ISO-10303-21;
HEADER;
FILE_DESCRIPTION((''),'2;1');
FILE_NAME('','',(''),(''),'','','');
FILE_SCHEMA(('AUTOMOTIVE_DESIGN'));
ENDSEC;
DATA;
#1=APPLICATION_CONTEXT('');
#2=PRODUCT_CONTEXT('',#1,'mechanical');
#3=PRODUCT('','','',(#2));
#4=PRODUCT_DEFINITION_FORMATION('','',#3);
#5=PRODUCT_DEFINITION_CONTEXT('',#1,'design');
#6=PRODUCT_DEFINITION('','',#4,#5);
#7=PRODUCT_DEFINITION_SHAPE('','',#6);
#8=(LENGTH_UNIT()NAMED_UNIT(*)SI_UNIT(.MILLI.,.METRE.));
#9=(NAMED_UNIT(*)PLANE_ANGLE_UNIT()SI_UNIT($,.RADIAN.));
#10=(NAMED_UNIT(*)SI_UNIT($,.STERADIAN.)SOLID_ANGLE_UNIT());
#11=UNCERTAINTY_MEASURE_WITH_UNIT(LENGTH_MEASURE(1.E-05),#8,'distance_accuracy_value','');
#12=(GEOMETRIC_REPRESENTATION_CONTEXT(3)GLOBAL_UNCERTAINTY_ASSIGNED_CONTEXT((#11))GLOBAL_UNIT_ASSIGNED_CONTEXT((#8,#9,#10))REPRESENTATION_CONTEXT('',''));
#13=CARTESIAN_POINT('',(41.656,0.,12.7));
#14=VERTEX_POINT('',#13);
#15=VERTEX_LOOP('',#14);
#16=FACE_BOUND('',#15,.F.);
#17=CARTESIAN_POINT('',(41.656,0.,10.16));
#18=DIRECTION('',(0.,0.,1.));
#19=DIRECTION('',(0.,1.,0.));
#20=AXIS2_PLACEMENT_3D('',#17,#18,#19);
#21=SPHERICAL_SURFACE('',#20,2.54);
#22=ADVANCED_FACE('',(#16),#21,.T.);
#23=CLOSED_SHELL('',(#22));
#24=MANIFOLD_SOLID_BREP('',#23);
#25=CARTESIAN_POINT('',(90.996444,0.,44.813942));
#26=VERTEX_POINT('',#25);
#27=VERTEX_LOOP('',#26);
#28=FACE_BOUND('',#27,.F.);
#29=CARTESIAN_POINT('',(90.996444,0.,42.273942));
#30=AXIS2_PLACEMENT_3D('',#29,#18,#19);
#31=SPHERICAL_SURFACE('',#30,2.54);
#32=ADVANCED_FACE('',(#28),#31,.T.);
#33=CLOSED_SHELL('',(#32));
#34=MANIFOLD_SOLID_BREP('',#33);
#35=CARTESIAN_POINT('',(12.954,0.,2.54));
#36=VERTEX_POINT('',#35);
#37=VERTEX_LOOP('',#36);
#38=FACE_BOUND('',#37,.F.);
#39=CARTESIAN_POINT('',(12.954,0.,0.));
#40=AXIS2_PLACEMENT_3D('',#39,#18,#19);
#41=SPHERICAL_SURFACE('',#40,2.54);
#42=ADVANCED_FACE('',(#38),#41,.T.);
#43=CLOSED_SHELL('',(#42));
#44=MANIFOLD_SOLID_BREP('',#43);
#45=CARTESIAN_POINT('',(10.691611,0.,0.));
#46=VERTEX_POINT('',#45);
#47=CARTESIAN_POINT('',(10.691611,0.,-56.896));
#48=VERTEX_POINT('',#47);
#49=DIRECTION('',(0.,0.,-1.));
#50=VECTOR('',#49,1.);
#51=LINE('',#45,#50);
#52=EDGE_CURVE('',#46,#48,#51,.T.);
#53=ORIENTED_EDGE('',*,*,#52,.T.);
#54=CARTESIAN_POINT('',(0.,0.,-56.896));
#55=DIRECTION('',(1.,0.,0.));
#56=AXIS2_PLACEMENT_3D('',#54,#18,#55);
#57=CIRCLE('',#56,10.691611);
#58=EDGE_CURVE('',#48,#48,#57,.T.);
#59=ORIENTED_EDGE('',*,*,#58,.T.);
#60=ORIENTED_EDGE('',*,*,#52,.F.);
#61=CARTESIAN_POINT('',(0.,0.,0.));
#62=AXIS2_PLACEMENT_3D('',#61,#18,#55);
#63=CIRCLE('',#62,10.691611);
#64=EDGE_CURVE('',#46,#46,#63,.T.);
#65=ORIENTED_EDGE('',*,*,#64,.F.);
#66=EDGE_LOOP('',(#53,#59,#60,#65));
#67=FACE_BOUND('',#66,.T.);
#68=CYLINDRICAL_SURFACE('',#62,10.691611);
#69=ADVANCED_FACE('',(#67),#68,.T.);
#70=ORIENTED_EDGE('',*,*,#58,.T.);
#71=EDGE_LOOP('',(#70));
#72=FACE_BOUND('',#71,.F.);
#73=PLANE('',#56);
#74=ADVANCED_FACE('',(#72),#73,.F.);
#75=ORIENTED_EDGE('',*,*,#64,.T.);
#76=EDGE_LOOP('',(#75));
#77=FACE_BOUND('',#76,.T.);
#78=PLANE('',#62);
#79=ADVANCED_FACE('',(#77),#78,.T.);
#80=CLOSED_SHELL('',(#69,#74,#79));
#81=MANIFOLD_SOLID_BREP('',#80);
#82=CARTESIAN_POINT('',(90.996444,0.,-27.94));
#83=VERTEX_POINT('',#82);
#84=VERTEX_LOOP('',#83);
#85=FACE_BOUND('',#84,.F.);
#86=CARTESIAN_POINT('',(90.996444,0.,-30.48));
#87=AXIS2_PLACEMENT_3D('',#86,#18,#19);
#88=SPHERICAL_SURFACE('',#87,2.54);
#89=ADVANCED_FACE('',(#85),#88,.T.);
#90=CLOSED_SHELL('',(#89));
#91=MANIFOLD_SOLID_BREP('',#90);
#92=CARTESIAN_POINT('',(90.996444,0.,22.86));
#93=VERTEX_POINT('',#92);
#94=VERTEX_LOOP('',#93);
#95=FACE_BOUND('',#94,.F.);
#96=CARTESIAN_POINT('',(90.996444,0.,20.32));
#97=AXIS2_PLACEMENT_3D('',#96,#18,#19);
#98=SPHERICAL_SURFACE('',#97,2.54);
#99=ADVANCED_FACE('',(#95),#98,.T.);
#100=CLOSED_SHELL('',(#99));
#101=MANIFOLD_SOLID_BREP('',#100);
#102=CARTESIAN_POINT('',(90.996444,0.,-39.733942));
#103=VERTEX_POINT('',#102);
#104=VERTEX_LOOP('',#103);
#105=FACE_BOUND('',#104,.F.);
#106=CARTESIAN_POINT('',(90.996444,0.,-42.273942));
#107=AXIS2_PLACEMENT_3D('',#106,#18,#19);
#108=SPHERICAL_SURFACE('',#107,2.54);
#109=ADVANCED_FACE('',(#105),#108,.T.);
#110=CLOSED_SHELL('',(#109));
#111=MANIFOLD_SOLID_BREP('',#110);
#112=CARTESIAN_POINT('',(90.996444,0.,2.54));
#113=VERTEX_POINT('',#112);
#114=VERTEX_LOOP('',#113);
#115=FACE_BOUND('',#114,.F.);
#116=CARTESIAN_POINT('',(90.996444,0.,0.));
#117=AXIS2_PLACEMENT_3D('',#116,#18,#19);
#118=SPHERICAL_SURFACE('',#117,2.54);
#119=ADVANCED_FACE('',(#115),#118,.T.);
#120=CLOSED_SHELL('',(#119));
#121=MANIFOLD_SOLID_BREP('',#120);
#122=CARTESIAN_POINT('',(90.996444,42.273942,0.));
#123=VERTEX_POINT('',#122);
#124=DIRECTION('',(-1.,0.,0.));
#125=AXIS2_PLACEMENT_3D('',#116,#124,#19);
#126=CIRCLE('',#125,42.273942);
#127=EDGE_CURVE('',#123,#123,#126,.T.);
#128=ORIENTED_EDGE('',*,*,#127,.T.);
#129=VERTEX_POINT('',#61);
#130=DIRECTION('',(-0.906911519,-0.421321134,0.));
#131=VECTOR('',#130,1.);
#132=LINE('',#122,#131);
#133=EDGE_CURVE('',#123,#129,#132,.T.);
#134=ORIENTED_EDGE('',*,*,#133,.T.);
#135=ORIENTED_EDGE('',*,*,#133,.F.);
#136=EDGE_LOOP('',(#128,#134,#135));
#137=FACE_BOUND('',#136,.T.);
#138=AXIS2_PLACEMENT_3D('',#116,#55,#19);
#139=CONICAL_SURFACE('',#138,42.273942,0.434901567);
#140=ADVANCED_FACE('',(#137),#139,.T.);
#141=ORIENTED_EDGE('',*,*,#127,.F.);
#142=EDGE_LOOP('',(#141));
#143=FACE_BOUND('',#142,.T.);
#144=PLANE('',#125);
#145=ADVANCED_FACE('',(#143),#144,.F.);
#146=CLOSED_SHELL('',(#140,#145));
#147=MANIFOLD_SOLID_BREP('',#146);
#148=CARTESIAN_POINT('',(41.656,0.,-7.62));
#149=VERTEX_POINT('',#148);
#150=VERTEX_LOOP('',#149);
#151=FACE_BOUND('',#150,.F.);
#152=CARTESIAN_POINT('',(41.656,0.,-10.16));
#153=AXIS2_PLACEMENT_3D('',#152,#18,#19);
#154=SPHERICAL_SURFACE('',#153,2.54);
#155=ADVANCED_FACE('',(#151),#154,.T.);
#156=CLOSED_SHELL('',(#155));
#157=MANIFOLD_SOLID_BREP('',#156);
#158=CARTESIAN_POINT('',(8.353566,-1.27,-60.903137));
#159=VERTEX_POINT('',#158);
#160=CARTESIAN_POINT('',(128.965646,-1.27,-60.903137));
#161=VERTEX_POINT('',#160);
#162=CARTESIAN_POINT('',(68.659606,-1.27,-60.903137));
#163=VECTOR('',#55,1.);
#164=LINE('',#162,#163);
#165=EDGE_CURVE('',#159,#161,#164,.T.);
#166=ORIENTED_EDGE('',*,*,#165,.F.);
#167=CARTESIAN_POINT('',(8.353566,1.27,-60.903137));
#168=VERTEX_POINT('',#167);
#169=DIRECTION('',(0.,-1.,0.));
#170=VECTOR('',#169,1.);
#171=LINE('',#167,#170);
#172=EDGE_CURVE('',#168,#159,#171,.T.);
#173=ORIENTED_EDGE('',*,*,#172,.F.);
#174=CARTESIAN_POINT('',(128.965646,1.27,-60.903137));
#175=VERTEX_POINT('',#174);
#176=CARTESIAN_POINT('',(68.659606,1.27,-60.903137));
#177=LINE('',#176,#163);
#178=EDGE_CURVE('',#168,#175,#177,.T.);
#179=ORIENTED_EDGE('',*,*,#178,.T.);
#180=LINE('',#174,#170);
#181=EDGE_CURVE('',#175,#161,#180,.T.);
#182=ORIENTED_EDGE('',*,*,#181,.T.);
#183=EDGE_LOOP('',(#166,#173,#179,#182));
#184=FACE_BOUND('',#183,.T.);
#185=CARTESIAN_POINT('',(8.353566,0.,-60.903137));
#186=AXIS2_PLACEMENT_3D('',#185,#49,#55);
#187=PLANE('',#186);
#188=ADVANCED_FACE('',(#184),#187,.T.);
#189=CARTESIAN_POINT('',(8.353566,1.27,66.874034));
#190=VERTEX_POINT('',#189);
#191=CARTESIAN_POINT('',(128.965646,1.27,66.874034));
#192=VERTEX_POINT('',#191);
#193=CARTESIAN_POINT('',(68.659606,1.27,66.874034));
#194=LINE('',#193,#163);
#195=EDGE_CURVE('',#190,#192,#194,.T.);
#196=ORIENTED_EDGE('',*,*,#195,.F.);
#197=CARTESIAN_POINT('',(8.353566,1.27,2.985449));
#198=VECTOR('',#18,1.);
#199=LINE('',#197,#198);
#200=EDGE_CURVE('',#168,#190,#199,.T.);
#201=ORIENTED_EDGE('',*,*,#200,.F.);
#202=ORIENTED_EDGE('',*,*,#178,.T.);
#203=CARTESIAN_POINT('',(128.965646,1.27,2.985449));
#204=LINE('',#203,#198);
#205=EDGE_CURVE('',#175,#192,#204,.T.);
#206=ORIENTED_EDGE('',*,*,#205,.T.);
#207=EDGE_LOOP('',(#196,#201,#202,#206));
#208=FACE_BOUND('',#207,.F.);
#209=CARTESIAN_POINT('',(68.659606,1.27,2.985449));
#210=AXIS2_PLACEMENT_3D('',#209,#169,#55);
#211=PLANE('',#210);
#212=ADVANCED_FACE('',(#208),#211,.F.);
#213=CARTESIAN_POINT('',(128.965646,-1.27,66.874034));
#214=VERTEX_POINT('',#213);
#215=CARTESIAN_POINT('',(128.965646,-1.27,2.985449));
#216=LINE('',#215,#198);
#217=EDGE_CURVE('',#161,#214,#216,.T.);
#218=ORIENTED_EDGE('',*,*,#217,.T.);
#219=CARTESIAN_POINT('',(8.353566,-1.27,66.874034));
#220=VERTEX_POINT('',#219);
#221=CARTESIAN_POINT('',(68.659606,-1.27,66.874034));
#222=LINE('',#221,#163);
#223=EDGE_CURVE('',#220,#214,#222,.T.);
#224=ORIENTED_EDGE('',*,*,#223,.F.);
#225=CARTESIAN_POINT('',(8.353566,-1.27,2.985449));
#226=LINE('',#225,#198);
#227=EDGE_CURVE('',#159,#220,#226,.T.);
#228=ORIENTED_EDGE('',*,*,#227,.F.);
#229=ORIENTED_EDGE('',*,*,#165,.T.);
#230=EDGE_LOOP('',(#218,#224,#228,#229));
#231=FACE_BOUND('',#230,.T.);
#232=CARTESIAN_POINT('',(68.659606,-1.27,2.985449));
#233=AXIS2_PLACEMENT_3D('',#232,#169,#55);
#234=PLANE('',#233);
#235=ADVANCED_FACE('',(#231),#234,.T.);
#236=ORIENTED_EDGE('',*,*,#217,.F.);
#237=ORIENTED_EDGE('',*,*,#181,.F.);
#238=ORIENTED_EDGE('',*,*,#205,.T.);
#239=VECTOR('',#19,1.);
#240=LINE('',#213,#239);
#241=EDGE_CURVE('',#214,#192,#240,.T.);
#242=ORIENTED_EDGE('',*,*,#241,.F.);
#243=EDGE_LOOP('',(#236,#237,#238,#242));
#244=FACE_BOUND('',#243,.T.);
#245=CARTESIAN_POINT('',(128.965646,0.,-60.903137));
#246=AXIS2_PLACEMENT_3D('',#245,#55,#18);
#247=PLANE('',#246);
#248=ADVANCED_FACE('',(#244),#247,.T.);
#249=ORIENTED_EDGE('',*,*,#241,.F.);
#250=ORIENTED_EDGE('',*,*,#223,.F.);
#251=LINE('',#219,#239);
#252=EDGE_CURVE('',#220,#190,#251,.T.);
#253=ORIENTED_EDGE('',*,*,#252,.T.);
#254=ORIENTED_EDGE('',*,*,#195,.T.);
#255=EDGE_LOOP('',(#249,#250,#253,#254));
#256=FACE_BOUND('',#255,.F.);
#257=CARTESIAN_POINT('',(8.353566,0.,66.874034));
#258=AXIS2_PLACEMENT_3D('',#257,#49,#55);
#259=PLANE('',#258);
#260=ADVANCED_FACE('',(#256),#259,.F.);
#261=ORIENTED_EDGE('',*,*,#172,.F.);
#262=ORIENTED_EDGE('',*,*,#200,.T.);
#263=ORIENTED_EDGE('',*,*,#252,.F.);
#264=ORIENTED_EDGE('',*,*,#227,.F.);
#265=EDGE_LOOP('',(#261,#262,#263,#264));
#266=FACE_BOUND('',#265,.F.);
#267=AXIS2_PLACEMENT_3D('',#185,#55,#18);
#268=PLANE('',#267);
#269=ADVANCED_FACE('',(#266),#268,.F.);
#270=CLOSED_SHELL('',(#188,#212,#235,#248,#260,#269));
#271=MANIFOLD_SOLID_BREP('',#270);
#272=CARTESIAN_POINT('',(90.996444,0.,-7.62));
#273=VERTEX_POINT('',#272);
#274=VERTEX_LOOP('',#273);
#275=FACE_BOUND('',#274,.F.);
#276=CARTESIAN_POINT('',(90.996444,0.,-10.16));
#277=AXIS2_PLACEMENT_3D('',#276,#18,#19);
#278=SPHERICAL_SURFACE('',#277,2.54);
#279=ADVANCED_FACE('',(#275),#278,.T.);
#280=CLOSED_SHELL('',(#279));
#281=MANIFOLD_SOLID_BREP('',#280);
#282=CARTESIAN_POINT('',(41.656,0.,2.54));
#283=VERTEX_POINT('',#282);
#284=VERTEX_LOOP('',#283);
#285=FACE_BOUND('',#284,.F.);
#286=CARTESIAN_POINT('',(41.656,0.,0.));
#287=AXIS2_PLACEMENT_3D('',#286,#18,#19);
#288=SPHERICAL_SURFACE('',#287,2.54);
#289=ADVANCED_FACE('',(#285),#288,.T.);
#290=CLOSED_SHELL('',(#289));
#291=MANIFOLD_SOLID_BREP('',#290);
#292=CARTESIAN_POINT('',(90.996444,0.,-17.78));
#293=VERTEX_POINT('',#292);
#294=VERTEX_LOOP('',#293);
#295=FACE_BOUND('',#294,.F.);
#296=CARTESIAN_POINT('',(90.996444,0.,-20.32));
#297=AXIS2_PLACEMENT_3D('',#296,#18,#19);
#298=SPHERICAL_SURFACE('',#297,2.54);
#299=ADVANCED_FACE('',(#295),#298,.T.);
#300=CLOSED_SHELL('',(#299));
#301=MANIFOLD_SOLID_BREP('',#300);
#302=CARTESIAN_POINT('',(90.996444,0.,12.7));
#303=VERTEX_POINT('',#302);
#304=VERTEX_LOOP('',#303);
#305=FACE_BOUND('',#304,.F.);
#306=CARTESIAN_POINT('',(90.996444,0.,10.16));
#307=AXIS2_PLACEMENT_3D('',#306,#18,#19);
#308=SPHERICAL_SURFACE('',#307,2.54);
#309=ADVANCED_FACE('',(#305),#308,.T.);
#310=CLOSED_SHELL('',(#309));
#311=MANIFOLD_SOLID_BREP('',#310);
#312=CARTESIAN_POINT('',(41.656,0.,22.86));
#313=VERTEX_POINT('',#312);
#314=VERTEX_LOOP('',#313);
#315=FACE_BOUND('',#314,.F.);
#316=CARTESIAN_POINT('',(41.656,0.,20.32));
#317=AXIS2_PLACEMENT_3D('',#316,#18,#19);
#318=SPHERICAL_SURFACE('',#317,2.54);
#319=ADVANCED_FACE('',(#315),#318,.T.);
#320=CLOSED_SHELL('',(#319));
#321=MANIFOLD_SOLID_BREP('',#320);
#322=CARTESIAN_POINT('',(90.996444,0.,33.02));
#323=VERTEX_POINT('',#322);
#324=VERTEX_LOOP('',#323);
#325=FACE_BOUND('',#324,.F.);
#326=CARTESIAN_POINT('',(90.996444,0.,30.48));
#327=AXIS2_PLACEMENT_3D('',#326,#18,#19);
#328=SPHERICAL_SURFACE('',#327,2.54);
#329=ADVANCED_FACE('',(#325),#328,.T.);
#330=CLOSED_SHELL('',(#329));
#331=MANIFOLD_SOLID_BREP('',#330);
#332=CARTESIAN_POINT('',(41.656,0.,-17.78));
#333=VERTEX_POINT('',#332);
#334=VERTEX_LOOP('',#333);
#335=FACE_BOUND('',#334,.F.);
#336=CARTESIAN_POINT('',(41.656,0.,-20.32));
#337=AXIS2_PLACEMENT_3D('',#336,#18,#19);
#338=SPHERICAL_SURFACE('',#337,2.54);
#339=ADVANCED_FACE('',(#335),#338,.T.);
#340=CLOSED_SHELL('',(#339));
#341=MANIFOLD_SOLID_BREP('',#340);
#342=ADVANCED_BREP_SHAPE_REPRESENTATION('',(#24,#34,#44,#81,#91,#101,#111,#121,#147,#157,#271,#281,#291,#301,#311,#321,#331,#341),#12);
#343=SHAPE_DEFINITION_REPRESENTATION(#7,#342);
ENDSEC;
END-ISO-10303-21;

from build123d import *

# Parameters (mm, degrees)
F2_R          = 10.691611
F3_DEPTH      = 56.896
F4_W          = 120.61208
F4_H          = 127.777171
F5_DEPTH      = 1.27
F5_DEPTH_BACK = 1.27


with BuildPart() as f1:
    # F0 (on Top) → F1 (revolve)
    with BuildSketch(Plane.XY):
        Polygon((90.996444, 42.273942), (0, 0), (90.996444, 0), align=None)
    revolve(axis=Axis((45.498222, 0, 0), (-1, 0, 0)))


with BuildPart() as f3:
    # F2 (on Top) → F3 (new body)
    with BuildSketch(Plane.XY):
        Circle(F2_R)
    extrude(amount=-F3_DEPTH)


with BuildPart() as f5:
    # F4 (on Front) → F5 (new body, two sides)
    with BuildSketch(Plane.XZ) as f5_sk:
        with Locations((68.659606, 2.985449)):
            Rectangle(F4_W, F4_H)
    extrude(amount=F5_DEPTH)
    extrude(f5_sk.sketch, amount=-F5_DEPTH_BACK)


with BuildPart() as f7:
    # F6 (on face) → F7 (revolve)
    with BuildSketch(Plane.YZ.offset(90.996444)):
        with BuildLine():
            Line((0, 44.813942), (0, 39.733942))
            ThreePointArc((0, 39.733942), (2.54, 42.273942), (0, 44.813942))
        make_face()
        with BuildLine():
            Line((0, 33.02), (0, 27.94))
            ThreePointArc((0, 27.94), (2.54, 30.48), (0, 33.02))
        make_face()
        with BuildLine():
            Line((0, 22.86), (0, 17.78))
            ThreePointArc((0, 17.78), (2.54, 20.32), (0, 22.86))
        make_face()
        with BuildLine():
            Line((0, 12.7), (0, 7.62))
            ThreePointArc((0, 7.62), (2.54, 10.16), (0, 12.7))
        make_face()
        with BuildLine():
            Line((0, 2.54), (0, -2.54))
            ThreePointArc((0, -2.54), (2.54, 0), (0, 2.54))
        make_face()
        with BuildLine():
            ThreePointArc((0, -44.813942), (2.54, -42.273942), (0, -39.733942))
            Line((0, -39.733942), (0, -44.813942))
        make_face()
        with BuildLine():
            ThreePointArc((0, -33.02), (2.54, -30.48), (0, -27.94))
            Line((0, -27.94), (0, -33.02))
        make_face()
        with BuildLine():
            ThreePointArc((0, -22.86), (2.54, -20.32), (0, -17.78))
            Line((0, -17.78), (0, -22.86))
        make_face()
        with BuildLine():
            ThreePointArc((0, -12.7), (2.54, -10.16), (0, -7.62))
            Line((0, -7.62), (0, -12.7))
        make_face()
    revolve(axis=Axis((90.996444, 0, 41.003942), (0, 0, -1)))


with BuildPart() as f10:
    # F9 (on offset) → F10 (revolve)
    with BuildSketch(Plane.YZ.offset(41.656)):
        with BuildLine():
            Line((0, 22.86), (0, 17.78))
            ThreePointArc((0, 17.78), (2.54, 20.32), (0, 22.86))
        make_face()
        with BuildLine():
            Line((0, 12.7), (0, 7.62))
            ThreePointArc((0, 7.62), (2.54, 10.16), (0, 12.7))
        make_face()
        with BuildLine():
            Line((0, 2.54), (0, -2.54))
            ThreePointArc((0, -2.54), (2.54, 0), (0, 2.54))
        make_face()
        with BuildLine():
            Line((0, -7.62), (0, -12.7))
            ThreePointArc((0, -12.7), (2.54, -10.16), (0, -7.62))
        make_face()
        with BuildLine():
            Line((0, -17.78), (0, -22.86))
            ThreePointArc((0, -22.86), (2.54, -20.32), (0, -17.78))
        make_face()
    revolve(axis=Axis((41.656, 0, -10.16), (0, 0, -1)))


with BuildPart() as f13:
    # F12 (on offset) → F13 (revolve)
    with BuildSketch(Plane.YZ.offset(12.954)):
        with BuildLine():
            Line((0, 2.54), (0, -2.54))
            ThreePointArc((0, -2.54), (2.54, 0), (0, 2.54))
        make_face()
    revolve(axis=Axis((12.954, 0, 0), (0, 0, -1)))


solid = Compound([f1.part, f3.part, f5.part, f7.part, f10.part, f13.part])
